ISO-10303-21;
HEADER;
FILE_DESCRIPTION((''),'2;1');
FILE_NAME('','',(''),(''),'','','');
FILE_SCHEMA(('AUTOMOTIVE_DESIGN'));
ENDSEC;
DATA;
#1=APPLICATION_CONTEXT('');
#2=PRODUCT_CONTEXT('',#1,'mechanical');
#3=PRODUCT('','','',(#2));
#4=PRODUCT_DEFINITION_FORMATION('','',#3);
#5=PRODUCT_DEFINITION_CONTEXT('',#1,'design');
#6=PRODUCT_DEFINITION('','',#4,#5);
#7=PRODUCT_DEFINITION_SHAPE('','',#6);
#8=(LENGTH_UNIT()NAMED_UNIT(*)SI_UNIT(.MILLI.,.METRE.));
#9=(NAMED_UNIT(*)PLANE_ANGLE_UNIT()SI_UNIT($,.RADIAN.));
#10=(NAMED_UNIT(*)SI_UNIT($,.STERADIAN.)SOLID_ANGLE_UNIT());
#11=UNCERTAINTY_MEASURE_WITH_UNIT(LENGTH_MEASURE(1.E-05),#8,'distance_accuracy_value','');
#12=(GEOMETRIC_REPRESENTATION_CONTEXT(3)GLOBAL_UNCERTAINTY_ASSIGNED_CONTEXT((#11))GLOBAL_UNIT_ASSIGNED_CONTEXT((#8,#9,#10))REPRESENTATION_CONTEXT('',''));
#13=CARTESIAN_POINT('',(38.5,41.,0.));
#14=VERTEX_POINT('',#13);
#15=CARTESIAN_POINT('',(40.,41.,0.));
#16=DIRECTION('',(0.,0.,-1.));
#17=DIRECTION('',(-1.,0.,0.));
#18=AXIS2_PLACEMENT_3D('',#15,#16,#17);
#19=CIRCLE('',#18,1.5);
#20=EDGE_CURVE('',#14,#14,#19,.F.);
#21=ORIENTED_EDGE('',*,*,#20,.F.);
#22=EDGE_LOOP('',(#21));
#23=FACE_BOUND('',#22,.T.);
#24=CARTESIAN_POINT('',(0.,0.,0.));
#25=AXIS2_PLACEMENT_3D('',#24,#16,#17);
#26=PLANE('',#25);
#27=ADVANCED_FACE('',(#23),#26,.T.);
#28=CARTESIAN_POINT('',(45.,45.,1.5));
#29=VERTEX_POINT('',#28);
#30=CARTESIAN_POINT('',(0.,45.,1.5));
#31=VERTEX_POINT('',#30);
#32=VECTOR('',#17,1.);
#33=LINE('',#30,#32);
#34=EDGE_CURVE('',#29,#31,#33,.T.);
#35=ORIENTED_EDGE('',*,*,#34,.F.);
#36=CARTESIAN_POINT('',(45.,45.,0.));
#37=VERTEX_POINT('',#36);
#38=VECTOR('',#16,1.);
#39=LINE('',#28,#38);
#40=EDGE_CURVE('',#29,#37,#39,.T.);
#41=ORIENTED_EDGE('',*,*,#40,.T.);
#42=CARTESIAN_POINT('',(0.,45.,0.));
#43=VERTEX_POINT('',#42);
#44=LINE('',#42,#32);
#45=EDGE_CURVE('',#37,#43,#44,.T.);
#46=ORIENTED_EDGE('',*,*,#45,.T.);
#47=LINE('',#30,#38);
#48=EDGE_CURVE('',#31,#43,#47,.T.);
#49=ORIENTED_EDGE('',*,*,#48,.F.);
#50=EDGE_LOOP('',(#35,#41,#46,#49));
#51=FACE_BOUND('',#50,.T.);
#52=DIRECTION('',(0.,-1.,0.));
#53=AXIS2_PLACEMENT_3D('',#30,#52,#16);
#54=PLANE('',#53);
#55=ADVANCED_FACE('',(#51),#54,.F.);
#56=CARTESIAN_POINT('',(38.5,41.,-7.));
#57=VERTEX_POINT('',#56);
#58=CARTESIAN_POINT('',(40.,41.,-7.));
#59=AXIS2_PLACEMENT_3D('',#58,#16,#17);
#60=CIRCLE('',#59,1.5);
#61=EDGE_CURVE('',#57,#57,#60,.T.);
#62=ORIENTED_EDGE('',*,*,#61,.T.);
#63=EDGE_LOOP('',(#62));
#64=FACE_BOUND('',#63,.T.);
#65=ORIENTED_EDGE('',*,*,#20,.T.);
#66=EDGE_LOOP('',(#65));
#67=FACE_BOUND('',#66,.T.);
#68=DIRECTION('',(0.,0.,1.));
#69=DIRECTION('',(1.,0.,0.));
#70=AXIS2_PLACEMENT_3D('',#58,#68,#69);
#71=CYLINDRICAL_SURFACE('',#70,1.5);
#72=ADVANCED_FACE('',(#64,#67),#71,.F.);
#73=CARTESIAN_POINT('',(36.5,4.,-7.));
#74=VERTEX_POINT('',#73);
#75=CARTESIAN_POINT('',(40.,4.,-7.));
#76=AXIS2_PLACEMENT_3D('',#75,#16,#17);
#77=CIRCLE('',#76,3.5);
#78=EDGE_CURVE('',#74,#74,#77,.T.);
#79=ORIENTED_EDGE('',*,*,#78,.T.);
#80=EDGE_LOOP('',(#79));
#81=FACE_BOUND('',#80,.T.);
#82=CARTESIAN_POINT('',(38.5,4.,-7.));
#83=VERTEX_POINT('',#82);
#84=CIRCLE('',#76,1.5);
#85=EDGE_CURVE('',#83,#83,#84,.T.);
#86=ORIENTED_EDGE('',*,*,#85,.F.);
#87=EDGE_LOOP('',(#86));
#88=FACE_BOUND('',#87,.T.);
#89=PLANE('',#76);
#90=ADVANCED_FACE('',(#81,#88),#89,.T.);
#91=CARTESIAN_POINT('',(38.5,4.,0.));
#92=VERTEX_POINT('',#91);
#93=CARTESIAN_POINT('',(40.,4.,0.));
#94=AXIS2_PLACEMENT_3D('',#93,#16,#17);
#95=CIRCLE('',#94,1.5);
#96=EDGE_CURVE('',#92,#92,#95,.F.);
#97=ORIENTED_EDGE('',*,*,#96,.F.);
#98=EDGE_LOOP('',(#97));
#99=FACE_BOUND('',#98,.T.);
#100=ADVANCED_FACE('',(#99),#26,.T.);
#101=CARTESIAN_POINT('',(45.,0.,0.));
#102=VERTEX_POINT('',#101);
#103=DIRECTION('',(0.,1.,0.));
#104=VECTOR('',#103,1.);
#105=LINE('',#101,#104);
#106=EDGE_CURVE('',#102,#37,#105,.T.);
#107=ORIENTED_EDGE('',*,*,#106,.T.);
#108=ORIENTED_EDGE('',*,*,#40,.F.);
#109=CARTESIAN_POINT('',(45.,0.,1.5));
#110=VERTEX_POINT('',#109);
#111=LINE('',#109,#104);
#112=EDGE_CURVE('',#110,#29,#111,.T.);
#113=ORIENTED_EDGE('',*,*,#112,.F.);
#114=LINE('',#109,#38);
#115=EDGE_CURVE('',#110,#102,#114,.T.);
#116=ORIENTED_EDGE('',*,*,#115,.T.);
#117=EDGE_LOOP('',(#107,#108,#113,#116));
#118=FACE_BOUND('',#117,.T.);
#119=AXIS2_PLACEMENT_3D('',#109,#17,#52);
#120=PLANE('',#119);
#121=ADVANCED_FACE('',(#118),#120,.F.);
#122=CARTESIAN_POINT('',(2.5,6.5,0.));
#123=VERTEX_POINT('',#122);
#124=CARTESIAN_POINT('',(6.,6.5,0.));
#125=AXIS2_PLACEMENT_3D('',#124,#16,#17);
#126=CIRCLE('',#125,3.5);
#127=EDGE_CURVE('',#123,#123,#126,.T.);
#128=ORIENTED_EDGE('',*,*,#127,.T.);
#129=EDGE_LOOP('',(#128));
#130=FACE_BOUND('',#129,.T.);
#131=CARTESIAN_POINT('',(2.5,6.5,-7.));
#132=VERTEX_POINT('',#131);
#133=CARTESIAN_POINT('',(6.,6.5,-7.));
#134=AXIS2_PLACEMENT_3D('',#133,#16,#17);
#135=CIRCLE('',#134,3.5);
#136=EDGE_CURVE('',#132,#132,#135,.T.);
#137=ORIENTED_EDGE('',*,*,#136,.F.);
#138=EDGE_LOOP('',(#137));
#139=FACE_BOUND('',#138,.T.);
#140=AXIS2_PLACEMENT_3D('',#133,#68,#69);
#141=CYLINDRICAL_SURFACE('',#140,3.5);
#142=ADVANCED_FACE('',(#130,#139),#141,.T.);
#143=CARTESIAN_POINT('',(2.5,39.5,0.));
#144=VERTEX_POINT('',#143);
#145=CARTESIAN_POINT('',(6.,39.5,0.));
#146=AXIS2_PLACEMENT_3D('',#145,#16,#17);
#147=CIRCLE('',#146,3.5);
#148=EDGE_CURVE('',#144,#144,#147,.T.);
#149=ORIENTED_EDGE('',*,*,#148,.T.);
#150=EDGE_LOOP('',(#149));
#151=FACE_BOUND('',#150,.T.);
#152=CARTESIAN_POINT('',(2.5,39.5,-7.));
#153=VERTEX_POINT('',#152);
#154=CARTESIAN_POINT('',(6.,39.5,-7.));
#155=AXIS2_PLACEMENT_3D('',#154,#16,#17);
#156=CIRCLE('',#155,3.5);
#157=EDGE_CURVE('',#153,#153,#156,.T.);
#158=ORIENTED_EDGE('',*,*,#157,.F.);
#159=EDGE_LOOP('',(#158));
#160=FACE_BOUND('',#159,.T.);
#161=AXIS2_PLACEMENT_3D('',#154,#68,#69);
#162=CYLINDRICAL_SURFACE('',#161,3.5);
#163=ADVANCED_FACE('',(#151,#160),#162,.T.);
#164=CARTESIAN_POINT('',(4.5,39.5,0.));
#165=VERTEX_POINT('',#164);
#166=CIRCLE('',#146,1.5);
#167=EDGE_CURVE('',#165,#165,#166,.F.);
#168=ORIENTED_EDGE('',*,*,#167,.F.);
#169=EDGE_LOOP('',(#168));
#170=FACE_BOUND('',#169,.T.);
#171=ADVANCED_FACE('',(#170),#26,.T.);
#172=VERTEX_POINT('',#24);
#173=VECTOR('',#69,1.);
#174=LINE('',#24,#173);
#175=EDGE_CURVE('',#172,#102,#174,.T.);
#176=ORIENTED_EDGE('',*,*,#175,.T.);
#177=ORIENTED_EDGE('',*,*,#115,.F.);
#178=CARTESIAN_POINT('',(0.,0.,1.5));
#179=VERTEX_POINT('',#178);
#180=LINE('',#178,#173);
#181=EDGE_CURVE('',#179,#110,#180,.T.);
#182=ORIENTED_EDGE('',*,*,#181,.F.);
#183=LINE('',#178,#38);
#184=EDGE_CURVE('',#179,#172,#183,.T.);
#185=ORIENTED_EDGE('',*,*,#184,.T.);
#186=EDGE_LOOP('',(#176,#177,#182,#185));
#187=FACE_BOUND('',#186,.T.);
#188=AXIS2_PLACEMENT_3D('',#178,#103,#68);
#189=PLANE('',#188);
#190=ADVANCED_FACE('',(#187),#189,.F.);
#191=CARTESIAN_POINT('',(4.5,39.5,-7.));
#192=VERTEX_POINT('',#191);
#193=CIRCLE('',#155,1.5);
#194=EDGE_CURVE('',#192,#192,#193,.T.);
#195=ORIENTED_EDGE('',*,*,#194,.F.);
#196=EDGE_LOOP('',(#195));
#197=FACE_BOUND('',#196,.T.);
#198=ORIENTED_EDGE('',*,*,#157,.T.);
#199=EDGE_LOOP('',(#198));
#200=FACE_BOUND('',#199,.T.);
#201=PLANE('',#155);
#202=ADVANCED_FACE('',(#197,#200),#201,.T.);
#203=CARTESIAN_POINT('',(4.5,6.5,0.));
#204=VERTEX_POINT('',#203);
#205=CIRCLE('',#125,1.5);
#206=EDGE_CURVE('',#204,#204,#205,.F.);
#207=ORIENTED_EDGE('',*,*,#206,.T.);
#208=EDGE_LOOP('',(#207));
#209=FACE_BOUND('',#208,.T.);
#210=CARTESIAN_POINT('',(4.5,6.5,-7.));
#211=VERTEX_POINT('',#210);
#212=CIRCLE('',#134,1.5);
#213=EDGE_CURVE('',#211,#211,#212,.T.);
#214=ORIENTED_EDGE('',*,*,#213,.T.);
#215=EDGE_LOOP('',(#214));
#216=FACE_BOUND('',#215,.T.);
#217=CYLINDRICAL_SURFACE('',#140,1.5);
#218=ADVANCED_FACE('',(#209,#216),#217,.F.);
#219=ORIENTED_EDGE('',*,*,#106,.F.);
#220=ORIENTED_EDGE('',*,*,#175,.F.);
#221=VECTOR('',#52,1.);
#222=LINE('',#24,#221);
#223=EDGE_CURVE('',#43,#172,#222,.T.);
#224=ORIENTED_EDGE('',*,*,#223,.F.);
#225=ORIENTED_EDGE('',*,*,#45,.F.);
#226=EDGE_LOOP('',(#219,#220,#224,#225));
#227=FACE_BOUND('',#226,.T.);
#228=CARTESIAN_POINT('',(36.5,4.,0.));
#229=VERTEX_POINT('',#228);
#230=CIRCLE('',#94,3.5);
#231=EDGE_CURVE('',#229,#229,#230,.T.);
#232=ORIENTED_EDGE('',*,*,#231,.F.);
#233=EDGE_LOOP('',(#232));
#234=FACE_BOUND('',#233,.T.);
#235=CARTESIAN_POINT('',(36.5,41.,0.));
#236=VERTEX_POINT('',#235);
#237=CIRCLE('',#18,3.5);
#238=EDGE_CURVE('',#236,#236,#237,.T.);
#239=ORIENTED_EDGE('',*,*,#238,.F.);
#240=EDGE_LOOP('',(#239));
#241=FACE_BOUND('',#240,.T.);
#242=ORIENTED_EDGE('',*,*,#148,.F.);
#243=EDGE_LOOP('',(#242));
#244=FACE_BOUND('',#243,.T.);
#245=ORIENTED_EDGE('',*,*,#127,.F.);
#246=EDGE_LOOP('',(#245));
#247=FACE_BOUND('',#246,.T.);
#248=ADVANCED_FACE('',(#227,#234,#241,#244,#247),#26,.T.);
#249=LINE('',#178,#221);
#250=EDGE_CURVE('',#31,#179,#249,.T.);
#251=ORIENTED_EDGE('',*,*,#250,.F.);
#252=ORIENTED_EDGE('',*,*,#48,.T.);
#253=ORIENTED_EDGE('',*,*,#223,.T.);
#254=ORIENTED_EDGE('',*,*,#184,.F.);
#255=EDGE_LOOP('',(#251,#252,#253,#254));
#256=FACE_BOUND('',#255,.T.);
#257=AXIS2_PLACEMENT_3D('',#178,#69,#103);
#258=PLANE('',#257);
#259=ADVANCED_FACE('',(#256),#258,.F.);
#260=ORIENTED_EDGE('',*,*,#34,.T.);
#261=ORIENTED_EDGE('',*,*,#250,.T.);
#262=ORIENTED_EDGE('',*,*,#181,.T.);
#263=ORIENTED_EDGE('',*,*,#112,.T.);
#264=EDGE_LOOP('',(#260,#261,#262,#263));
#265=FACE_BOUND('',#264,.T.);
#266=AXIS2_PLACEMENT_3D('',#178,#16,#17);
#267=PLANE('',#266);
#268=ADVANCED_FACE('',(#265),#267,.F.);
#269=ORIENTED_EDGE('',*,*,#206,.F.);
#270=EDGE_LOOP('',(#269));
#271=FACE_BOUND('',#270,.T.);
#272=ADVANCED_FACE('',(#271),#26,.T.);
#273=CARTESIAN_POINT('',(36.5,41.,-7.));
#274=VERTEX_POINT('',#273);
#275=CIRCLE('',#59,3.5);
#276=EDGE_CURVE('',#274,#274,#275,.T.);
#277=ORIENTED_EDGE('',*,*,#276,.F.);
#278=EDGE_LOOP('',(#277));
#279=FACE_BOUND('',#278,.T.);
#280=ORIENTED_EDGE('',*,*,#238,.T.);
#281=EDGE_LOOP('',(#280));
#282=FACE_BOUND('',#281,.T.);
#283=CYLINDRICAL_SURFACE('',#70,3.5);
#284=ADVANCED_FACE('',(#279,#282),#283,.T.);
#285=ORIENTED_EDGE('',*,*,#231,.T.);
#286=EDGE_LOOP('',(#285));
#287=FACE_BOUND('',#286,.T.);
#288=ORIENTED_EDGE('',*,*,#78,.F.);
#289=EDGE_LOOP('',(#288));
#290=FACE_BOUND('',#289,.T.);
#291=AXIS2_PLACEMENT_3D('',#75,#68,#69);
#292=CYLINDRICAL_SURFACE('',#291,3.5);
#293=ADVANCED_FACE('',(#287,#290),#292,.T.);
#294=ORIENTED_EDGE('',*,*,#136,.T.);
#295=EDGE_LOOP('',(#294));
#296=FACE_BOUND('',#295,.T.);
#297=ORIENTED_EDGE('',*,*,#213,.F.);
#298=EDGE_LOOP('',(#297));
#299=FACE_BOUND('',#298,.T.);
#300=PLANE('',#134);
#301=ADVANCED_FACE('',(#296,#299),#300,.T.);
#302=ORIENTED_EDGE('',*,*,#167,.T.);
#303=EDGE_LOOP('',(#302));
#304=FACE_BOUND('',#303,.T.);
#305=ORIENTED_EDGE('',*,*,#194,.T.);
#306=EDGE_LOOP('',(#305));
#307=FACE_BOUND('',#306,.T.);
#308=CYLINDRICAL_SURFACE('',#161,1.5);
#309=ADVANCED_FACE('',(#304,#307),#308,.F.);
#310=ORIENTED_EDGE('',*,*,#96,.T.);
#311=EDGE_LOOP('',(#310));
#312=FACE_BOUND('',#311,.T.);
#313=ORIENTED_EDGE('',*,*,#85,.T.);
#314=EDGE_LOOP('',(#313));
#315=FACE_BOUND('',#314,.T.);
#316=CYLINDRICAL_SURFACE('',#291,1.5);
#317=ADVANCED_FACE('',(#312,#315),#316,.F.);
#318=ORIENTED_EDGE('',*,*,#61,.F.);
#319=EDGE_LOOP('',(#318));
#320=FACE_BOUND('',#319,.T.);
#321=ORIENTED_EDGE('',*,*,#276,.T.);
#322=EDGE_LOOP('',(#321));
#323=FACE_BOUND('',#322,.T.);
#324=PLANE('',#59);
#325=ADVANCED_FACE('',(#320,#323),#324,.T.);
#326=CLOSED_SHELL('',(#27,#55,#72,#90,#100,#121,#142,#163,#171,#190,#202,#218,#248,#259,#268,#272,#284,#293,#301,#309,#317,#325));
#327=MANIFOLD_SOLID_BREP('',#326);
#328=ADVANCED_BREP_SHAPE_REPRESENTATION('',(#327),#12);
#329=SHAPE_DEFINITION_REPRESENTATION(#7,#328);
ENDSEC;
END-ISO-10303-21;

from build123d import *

# Parameters (mm, degrees)
SKETCH_1_W      = 45
SKETCH_1_H      = 45
EXTRUDE_1_DEPTH = 1.5
SKETCH_2_R      = 3.5
SKETCH_2_R_2    = 1.5
EXTRUDE_2_DEPTH = 7


with BuildPart() as part:
    # Эскиз1 → Бобышка-Вытянуть1 (new body)
    with BuildSketch(Plane.XY):
        with Locations((22.5, 22.5)):
            Rectangle(SKETCH_1_W, SKETCH_1_H)
    extrude(amount=EXTRUDE_1_DEPTH)

    # Эскиз2 → Бобышка-Вытянуть2 (add)
    # profile 1 of 4: a face of its own
    with BuildSketch(Plane(origin=(0, 0, 0), x_dir=(-1, 0, 0), z_dir=(0, 0, -1))):
        with Locations((-40, 41)):
            Circle(SKETCH_2_R)
        with Locations((-40, 41)):
            Circle(SKETCH_2_R_2, mode=Mode.SUBTRACT)
    # profile 2 of 4: a face of its own
    with BuildSketch(Plane(origin=(0, 0, 0), x_dir=(-1, 0, 0), z_dir=(0, 0, -1))):
        with Locations((-6, 39.5)):
            Circle(SKETCH_2_R)
        with Locations((-6, 39.5)):
            Circle(SKETCH_2_R_2, mode=Mode.SUBTRACT)
    # profile 3 of 4: a face of its own
    with BuildSketch(Plane(origin=(0, 0, 0), x_dir=(-1, 0, 0), z_dir=(0, 0, -1))):
        with Locations((-40, 4)):
            Circle(SKETCH_2_R)
        with Locations((-40, 4)):
            Circle(SKETCH_2_R_2, mode=Mode.SUBTRACT)
    # profile 4 of 4: a face of its own
    with BuildSketch(Plane(origin=(0, 0, 0), x_dir=(-1, 0, 0), z_dir=(0, 0, -1))):
        with Locations((-6, 6.5)):
            Circle(SKETCH_2_R)
        with Locations((-6, 6.5)):
            Circle(SKETCH_2_R_2, mode=Mode.SUBTRACT)
    extrude(amount=EXTRUDE_2_DEPTH)


solid = part.part
